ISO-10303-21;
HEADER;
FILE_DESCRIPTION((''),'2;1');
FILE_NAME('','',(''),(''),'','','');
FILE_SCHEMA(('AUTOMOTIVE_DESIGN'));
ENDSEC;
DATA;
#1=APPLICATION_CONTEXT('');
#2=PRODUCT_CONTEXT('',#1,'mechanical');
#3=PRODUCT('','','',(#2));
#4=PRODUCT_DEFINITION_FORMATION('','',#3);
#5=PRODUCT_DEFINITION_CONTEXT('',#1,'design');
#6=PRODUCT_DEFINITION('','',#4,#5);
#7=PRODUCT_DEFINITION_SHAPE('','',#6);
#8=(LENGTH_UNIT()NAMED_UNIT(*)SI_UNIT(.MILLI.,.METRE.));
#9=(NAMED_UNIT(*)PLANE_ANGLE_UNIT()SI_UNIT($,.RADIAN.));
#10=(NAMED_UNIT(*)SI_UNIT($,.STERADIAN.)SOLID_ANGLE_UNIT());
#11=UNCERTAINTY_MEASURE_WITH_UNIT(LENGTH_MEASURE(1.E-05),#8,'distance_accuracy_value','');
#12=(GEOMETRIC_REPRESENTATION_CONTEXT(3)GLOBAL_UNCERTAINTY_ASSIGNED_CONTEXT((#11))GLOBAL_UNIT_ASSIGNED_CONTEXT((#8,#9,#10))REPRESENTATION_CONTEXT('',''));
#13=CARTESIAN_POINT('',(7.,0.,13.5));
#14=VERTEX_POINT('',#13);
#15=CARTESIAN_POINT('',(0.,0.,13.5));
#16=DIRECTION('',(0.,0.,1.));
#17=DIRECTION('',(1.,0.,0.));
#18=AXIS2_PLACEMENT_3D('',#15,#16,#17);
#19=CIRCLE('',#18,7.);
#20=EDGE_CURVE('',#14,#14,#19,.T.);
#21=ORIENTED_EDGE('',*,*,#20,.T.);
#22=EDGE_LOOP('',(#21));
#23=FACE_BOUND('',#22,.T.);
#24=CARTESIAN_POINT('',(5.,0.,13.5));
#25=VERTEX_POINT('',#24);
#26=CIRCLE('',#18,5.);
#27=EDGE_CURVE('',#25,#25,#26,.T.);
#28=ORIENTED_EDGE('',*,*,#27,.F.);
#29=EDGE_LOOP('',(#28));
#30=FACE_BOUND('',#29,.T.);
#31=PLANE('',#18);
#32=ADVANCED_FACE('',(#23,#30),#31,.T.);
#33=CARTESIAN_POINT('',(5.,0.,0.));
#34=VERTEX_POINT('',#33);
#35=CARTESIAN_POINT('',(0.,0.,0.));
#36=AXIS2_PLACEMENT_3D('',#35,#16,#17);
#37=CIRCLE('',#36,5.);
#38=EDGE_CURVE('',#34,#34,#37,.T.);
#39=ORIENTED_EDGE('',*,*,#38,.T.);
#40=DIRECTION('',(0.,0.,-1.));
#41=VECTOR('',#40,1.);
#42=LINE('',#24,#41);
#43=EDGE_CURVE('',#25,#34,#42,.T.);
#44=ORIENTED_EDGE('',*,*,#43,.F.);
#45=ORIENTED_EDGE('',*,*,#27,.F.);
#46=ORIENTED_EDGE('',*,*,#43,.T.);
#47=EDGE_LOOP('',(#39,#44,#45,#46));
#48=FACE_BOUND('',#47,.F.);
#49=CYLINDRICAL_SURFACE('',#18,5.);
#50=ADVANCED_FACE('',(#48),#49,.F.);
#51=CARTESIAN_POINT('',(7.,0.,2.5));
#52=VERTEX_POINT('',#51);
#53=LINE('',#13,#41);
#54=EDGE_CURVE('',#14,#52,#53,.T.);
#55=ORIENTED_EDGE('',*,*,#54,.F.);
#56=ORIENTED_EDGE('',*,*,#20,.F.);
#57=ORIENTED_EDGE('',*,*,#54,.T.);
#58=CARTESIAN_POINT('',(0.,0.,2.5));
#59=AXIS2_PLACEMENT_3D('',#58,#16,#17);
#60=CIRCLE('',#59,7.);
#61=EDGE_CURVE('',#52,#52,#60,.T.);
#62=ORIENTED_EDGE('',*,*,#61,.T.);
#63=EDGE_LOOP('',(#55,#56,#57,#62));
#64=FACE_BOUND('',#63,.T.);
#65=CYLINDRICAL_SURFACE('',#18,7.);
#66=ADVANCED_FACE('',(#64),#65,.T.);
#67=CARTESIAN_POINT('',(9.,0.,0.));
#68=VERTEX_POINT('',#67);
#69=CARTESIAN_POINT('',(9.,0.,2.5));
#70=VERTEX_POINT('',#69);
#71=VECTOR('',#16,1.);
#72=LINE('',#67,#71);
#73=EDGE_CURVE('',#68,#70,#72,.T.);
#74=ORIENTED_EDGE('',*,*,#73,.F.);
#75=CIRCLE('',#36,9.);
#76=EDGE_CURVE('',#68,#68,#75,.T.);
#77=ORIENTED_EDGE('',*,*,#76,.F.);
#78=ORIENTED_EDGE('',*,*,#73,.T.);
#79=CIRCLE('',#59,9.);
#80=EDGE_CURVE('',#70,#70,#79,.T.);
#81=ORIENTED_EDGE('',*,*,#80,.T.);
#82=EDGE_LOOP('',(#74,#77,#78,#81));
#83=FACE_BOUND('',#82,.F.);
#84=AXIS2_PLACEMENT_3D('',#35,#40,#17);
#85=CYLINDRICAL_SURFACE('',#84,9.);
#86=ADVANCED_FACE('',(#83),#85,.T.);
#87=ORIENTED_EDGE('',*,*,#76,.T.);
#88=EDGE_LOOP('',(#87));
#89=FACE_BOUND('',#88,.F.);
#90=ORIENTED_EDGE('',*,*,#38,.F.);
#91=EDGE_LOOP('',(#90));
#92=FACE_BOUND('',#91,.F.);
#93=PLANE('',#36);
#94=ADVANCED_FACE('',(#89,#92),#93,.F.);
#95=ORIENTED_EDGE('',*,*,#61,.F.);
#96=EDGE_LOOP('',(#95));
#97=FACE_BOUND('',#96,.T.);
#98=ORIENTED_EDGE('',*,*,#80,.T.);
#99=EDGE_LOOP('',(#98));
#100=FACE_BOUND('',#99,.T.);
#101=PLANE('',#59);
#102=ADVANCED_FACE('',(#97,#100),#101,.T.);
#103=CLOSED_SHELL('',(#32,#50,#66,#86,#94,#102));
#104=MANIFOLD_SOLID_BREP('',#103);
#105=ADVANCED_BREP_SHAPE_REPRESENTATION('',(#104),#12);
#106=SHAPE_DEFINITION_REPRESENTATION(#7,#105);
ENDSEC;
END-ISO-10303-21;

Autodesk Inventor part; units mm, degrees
ref_plane "YZ Plane" through (0, 0, 0) normal (1, 0, 0) x (0, 1, 0)
ref_plane "XZ Plane" through (0, 0, 0) normal (0, 1, 0) x (-1, 0, 0)
ref_plane "XY Plane" through (0, 0, 0) normal (0, 0, 1) x (1, 0, 0)
sketch "Sketch1" plane through (0, 0, 0) normal (0, 0, 1) x (1, 0, 0)
  circle A0 centre (0, 0) radius 9
  dimension "d0" = 18
extrude "Extrusion1" add sketch "Sketch1" along normal blind 13.5
sketch "Sketch2" plane through (0, 0, 13.5) normal (0, 0, 1) x (1, 0, 0)
  circle A0 centre (0, 0) radius 9 projected
  circle A1 centre (0, 0) radius 7
  dimension "d3" = 14
extrude "Extrusion2" cut sketch "Sketch2" against normal blind 11
sketch "Sketch3" plane through (0, 0, 13.5) normal (0, 0, 1) x (1, 0, 0)
  circle A0 centre (0, 0) radius 7 projected
  circle A1 centre (0, 0) radius 5
  dimension "d6" = 10
extrude "Extrusion3" cut sketch "Sketch3" against normal blind 14 contours A1
properties part number "BUCHA DO MANCAL(41)" material "Bronze, Soft Tin"
